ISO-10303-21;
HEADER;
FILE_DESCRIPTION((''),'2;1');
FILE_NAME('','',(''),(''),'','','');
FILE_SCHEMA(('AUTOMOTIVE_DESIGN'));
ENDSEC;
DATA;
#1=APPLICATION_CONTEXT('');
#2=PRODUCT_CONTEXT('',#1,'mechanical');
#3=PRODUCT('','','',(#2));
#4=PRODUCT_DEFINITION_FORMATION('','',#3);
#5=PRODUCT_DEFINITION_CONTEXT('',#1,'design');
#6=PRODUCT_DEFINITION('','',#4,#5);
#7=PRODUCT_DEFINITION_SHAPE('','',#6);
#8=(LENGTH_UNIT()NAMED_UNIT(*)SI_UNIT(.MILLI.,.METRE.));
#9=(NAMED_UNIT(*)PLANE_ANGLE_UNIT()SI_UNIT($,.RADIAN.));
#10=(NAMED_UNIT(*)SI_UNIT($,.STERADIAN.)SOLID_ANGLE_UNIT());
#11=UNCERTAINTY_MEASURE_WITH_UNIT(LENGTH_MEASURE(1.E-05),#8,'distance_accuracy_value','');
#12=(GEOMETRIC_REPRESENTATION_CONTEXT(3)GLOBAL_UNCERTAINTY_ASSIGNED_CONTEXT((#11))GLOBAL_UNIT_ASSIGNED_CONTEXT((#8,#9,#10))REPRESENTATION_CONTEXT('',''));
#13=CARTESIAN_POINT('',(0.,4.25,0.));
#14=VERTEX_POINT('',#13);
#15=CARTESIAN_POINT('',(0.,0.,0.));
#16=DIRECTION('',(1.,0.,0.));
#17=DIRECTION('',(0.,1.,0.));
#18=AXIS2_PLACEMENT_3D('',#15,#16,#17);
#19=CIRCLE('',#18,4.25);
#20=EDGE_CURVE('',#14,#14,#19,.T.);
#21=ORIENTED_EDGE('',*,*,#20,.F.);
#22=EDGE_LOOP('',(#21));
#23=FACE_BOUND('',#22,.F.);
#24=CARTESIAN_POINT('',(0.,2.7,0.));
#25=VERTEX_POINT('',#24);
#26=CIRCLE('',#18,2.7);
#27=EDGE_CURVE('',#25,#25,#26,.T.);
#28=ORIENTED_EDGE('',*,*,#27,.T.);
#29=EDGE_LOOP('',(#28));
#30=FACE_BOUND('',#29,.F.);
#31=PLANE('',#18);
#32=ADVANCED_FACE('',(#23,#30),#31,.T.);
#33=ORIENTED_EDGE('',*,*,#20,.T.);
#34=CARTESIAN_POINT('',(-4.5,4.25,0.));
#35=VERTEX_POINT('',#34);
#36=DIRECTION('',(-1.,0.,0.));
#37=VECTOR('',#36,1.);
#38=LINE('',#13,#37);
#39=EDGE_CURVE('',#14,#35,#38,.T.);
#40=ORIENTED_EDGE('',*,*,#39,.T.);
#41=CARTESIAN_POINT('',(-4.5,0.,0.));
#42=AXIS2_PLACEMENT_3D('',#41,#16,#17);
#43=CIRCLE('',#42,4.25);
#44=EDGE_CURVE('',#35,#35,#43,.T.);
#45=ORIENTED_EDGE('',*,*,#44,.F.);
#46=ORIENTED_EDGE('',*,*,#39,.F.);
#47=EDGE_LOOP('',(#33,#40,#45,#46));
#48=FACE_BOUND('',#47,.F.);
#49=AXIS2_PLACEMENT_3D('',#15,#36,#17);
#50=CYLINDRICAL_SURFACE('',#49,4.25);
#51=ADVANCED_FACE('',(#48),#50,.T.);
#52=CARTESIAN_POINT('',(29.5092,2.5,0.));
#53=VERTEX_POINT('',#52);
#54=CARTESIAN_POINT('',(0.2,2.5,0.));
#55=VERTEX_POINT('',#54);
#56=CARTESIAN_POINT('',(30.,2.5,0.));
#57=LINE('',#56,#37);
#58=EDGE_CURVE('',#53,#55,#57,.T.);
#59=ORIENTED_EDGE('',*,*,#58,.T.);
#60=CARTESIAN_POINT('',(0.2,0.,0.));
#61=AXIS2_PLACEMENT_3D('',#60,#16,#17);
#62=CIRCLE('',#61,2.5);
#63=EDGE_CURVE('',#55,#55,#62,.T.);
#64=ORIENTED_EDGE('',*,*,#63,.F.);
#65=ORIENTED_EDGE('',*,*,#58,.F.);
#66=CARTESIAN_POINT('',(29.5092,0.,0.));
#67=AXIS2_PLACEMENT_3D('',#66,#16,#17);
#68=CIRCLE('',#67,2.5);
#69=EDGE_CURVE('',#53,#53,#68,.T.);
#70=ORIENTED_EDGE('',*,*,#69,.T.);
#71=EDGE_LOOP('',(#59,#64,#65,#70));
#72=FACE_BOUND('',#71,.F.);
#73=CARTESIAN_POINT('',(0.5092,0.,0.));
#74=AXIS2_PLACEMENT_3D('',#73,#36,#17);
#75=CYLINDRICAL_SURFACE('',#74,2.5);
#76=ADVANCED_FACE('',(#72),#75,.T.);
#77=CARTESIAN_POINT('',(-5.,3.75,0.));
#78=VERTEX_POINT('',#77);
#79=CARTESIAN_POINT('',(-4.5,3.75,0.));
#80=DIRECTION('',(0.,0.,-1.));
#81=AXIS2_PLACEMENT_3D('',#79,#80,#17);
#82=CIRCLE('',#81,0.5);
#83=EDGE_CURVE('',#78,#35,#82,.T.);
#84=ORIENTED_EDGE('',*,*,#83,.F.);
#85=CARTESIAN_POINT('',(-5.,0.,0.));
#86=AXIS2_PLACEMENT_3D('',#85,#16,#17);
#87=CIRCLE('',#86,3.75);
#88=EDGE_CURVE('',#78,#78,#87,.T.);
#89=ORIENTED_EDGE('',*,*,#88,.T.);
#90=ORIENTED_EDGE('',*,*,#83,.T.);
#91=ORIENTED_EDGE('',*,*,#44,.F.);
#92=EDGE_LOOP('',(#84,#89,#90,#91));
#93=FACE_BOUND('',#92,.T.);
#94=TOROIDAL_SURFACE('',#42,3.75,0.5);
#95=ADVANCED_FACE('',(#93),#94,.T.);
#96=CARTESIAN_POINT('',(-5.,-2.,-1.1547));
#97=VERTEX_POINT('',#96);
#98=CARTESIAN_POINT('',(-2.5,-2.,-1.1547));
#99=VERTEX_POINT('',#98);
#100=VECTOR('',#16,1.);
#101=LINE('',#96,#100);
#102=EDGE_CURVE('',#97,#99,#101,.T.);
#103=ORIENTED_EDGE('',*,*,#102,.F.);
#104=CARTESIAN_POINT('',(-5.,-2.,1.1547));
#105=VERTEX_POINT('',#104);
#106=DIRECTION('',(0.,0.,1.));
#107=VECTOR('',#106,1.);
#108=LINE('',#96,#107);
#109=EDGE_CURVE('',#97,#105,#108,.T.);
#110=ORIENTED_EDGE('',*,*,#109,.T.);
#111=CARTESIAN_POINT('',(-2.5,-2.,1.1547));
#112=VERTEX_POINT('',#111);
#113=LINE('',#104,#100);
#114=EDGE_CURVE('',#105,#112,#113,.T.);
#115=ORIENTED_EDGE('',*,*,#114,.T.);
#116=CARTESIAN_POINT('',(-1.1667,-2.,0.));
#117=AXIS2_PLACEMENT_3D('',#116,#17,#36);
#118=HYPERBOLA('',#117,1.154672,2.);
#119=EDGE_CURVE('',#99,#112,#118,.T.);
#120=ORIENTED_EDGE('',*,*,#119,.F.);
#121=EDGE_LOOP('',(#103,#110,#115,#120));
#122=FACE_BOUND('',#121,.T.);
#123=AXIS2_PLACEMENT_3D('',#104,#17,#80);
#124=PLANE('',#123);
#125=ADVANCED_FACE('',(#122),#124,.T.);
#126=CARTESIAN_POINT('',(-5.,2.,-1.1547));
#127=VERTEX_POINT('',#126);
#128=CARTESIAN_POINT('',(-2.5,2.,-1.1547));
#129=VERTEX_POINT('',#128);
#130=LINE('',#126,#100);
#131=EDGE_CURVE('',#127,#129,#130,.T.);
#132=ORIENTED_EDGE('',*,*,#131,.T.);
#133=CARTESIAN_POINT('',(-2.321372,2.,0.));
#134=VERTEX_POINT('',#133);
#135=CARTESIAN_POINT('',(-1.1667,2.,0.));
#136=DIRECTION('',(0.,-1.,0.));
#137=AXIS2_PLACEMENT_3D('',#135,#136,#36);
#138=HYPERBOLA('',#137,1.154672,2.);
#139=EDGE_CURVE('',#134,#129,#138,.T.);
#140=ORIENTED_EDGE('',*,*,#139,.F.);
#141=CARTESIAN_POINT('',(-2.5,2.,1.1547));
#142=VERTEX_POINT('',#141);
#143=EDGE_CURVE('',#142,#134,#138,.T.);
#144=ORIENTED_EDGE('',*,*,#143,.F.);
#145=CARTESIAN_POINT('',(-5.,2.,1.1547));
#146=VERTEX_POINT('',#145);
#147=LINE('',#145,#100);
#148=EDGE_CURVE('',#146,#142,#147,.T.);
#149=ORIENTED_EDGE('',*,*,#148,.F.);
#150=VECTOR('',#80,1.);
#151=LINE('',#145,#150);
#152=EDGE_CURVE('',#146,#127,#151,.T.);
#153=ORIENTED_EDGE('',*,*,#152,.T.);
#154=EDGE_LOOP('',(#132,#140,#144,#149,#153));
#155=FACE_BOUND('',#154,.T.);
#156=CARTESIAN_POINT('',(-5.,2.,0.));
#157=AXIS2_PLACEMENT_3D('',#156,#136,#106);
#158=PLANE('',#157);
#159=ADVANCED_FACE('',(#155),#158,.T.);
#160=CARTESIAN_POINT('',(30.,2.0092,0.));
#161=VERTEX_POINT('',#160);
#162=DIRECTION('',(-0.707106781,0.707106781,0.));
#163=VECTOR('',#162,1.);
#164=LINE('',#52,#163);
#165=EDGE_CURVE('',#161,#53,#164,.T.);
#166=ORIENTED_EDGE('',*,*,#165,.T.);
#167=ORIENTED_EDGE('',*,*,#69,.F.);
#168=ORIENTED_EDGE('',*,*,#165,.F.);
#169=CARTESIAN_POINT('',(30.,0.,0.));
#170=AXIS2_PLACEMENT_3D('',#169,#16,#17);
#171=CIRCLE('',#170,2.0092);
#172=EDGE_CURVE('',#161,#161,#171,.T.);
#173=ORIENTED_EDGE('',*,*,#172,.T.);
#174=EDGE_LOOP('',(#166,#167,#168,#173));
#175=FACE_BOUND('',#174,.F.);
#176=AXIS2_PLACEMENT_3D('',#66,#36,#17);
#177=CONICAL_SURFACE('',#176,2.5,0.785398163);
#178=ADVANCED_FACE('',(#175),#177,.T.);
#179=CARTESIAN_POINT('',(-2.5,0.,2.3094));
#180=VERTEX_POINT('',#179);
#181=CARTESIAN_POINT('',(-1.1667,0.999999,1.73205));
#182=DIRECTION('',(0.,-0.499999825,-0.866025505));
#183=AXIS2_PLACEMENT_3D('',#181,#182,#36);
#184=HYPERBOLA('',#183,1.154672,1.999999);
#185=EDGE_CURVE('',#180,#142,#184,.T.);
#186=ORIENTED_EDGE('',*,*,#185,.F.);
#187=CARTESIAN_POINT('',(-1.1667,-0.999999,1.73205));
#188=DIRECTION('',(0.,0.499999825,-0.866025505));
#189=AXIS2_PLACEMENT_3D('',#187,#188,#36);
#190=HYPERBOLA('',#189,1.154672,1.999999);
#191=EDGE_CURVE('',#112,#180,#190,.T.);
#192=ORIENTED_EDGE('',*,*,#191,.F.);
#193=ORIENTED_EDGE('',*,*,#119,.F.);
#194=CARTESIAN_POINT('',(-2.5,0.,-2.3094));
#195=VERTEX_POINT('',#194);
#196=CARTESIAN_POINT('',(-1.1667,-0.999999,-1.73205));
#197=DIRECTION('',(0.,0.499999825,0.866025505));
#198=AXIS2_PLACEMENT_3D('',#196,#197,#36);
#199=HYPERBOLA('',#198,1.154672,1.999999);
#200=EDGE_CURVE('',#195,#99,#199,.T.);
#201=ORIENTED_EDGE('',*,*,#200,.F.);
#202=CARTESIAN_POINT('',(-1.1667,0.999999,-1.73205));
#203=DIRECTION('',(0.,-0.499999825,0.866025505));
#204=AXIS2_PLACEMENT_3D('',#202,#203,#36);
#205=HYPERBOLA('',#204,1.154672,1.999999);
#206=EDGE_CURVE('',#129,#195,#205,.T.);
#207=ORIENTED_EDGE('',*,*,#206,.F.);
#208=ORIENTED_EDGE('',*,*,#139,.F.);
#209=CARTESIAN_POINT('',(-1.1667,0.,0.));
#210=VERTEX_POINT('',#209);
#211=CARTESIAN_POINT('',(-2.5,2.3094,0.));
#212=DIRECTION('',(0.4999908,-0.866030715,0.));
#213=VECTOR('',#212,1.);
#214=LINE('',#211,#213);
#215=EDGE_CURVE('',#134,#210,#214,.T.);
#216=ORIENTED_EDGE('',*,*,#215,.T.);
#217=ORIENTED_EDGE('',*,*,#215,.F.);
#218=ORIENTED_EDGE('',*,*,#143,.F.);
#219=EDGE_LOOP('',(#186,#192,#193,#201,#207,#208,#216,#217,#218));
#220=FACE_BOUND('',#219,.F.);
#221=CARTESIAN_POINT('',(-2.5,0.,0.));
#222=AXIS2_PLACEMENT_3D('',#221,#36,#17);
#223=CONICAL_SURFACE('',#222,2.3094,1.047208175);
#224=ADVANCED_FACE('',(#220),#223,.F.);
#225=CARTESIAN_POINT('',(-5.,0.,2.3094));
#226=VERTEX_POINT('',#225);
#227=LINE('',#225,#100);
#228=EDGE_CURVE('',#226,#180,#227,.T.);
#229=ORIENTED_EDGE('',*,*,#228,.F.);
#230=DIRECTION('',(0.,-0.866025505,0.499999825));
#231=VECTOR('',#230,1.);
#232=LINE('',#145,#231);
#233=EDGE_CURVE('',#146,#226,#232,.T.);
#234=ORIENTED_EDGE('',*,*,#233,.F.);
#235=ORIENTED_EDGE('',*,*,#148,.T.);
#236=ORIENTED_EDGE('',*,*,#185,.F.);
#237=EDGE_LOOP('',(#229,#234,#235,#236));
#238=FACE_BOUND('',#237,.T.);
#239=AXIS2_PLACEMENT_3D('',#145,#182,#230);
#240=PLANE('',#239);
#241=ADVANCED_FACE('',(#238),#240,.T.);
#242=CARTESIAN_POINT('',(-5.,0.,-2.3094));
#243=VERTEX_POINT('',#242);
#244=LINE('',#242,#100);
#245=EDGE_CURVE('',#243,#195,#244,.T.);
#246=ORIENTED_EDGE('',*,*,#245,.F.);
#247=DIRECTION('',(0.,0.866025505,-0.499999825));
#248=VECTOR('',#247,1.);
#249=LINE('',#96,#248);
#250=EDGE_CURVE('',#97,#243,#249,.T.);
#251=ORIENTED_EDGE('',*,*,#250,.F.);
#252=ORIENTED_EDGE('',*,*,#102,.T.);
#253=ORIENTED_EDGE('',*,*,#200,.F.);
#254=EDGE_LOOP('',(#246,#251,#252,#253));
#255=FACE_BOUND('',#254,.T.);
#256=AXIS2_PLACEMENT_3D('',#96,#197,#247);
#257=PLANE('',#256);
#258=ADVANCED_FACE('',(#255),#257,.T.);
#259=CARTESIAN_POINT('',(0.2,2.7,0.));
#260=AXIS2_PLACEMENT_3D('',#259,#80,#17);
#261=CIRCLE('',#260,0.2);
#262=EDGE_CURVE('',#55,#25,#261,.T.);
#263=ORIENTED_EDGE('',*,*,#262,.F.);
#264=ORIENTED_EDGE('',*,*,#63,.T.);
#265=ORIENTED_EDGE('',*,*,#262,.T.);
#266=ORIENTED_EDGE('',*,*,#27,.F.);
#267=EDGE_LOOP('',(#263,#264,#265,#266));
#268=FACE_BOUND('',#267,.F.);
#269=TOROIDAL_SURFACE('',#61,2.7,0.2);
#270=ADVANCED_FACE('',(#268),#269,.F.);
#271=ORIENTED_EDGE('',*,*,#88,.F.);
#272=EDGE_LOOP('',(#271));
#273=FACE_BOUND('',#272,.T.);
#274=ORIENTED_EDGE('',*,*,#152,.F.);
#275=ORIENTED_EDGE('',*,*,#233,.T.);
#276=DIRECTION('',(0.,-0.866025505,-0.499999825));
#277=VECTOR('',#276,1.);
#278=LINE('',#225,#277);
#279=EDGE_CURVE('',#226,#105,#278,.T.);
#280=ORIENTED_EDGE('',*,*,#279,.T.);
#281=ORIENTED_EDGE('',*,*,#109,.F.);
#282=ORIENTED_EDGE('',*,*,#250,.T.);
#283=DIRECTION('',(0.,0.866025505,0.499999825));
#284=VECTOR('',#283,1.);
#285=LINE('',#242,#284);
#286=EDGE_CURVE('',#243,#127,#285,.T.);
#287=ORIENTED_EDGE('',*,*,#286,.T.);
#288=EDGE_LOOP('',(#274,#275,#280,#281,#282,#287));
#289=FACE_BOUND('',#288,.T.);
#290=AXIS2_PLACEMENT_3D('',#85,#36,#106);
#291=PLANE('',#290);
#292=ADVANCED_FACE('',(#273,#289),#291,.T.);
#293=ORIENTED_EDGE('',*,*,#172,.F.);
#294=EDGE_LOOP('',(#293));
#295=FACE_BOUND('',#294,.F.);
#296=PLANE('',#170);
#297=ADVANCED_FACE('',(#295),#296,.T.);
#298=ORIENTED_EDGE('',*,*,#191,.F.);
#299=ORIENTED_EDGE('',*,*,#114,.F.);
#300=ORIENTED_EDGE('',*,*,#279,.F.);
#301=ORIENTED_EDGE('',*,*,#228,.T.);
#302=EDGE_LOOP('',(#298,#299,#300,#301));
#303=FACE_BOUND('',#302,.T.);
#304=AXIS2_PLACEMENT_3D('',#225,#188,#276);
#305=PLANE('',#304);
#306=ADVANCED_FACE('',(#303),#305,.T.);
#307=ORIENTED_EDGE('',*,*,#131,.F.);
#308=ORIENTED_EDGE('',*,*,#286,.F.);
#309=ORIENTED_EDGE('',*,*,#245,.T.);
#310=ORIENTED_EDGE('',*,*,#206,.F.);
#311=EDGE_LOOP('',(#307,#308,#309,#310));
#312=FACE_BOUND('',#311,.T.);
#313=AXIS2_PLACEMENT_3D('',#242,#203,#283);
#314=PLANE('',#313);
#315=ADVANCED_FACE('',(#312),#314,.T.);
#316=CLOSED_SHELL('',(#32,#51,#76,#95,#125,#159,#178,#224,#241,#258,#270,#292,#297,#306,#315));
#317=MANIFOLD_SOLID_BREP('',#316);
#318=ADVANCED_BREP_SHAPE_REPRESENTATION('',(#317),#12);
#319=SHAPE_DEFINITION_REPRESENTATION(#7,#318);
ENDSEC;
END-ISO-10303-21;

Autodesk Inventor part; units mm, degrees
ref_plane "YZ Plane" through (0, 0, 0) normal (1, 0, 0) x (0, 1, 0)
ref_plane "XZ Plane" through (0, 0, 0) normal (0, 1, 0) x (-1, 0, 0)
sketch "Esquisse1" plane through (0, 0, 0) normal (0, 0, 1) x (1, 0, 0)
  line L0 (-1.1667, 0) -> (30, 0)
  line L1 (30, 0) -> (30, 2.5)
  line L2 (30, 2.5) -> (1, 2.5)
  line L3 (1, 2.5) -> (0.5092, 2.5)
  line L4 (0.5092, 2.5) -> (0, 2.5)
  line L5 (0, 2.5) -> (0, 4.25)
  line L6 (0, 4.25) -> (-5, 4.25)
  line L7 (-5, 4.25) -> (-5, 2.3094)
  line L8 (-5, 2.3094) -> (-2.5, 2.3094)
  line L9 (-2.5, 2.3094) -> (-1.1667, 0)
  line L10 (-12, 0) -> (37, 0) projected
  line L11 (0, -0.85) -> (0, 5.1) projected
  line L12 (1, 2.5) -> (0, 2.5) construction
  dimension "d0" = 29
  dimension "d1" = 0.4908
  dimension "d2" = 5
  dimension "d3" = 2.5
  dimension "d4" = 60
  dimension "d5" = 5
  dimension "d6" = 5
  dimension "d7" = 4.6188
  dimension "d8" = 8.5
  dimension "d19" = 30
revolve "Corps" add sketch "Esquisse1" angle 360 about axis through (-1.1667, 0, 0) along (1, 0, 0)
sketch "Esquisse2" plane through (-5, 0, 0) normal (-1, 0, 0) x (0, 0, 1)
  circle A0 centre (0, 0) radius 2.3094 projected
  line L0 (0, -5.95) -> (0, 5.95) projected
  line L1 (-5.95, 0) -> (5.95, 0) projected
  line L2 (2.3094, 0) -> (1.1547, -2)
  line L3 (1.1547, -2) -> (-1.1547, -2)
  line L4 (-1.1547, -2) -> (-2.3094, 0)
  line L5 (-2.3094, 0) -> (-1.1547, 2)
  line L6 (-1.1547, 2) -> (1.1547, 2)
  line L7 (1.1547, 2) -> (2.3094, 0)
extrude "Rainure" add sketch "Esquisse2" against normal up to next contours L7 A0 | A0 L2 | L6 L0 A0 | A0 L0 L3 | L0 L6 A0 | A0 L3 L0 | L4 A0 | A0 L5
fillet "Congé2" radius 0.5 1 edges at (-5, -4.25, 0)
thread "Filetage" size "M5x0.8" class "6g" standard "ISO Metric profile" length 29
chamfer "Chanfrein1" distance 0.4908 distance2 0.4908 1 edges at (30, -2.5, 0) measured on face at (30, -0.5525, -0.0341)
fillet "Congé1" radius 0.2 1 edges at (0, -2.5, 0)
ref_plane "Work Plane1" through (30, 0, 0) normal (0, -0.5, 0.866) x (1, 0, 0)
equation "\"d0\" = GEL"
equation "\"d1\" = GAL"
equation "\"d2\" = KOH"
equation "\"d3\" = INTI"
equation "\"d5\" = GD"
equation "\"d6\" = BDM"
equation "\"d7\" = 1.1547 * SW"
equation "\"d8\" = KOD"
equation "\"d19\" = NLG"
equation "\"d16\" = RR"
equation "\"d12\" = GEL"
equation "\"d14\" = -0.5 * SPD + 0.5 * GD"
equation "\"d15\" = GUL"
equation "\"d29\" = R"
equation "\"GD\" = NND"
equation "\"NLG\" = 30"
equation "\"GEL\" = 29"
equation "\"KOD\" = 8.5"
equation "\"KOH\" = 5"
equation "\"INTI\" = 2.5"
equation "\"GAL\" = 0.61345 * PTC"
equation "\"GUL\" = 0.61345 * PTC"
equation "\"BDM\" = NND"
equation "\"SW\" = 4"
equation "\"RR\" = 0.5"
equation "\"SPD\" = 4.01848"
equation "\"d28\" = R"
equation "\"R\" = 0.2"
equation "\"TOA\" = 30deg"
equation "\"THREADDIA\" = 5"
equation "\"KOD1\" = KOD"
equation "\"PTC\" = 0.8"
equation "\"NND\" = 5"
equation "\"E0\" = 1.155 * SW"
equation "\"GD1\" = THREADDIA - 1.2269 * PTC"
properties part number "ANSI B18.3.1M - M5x0,8 x 30" material "Acier, doux"
